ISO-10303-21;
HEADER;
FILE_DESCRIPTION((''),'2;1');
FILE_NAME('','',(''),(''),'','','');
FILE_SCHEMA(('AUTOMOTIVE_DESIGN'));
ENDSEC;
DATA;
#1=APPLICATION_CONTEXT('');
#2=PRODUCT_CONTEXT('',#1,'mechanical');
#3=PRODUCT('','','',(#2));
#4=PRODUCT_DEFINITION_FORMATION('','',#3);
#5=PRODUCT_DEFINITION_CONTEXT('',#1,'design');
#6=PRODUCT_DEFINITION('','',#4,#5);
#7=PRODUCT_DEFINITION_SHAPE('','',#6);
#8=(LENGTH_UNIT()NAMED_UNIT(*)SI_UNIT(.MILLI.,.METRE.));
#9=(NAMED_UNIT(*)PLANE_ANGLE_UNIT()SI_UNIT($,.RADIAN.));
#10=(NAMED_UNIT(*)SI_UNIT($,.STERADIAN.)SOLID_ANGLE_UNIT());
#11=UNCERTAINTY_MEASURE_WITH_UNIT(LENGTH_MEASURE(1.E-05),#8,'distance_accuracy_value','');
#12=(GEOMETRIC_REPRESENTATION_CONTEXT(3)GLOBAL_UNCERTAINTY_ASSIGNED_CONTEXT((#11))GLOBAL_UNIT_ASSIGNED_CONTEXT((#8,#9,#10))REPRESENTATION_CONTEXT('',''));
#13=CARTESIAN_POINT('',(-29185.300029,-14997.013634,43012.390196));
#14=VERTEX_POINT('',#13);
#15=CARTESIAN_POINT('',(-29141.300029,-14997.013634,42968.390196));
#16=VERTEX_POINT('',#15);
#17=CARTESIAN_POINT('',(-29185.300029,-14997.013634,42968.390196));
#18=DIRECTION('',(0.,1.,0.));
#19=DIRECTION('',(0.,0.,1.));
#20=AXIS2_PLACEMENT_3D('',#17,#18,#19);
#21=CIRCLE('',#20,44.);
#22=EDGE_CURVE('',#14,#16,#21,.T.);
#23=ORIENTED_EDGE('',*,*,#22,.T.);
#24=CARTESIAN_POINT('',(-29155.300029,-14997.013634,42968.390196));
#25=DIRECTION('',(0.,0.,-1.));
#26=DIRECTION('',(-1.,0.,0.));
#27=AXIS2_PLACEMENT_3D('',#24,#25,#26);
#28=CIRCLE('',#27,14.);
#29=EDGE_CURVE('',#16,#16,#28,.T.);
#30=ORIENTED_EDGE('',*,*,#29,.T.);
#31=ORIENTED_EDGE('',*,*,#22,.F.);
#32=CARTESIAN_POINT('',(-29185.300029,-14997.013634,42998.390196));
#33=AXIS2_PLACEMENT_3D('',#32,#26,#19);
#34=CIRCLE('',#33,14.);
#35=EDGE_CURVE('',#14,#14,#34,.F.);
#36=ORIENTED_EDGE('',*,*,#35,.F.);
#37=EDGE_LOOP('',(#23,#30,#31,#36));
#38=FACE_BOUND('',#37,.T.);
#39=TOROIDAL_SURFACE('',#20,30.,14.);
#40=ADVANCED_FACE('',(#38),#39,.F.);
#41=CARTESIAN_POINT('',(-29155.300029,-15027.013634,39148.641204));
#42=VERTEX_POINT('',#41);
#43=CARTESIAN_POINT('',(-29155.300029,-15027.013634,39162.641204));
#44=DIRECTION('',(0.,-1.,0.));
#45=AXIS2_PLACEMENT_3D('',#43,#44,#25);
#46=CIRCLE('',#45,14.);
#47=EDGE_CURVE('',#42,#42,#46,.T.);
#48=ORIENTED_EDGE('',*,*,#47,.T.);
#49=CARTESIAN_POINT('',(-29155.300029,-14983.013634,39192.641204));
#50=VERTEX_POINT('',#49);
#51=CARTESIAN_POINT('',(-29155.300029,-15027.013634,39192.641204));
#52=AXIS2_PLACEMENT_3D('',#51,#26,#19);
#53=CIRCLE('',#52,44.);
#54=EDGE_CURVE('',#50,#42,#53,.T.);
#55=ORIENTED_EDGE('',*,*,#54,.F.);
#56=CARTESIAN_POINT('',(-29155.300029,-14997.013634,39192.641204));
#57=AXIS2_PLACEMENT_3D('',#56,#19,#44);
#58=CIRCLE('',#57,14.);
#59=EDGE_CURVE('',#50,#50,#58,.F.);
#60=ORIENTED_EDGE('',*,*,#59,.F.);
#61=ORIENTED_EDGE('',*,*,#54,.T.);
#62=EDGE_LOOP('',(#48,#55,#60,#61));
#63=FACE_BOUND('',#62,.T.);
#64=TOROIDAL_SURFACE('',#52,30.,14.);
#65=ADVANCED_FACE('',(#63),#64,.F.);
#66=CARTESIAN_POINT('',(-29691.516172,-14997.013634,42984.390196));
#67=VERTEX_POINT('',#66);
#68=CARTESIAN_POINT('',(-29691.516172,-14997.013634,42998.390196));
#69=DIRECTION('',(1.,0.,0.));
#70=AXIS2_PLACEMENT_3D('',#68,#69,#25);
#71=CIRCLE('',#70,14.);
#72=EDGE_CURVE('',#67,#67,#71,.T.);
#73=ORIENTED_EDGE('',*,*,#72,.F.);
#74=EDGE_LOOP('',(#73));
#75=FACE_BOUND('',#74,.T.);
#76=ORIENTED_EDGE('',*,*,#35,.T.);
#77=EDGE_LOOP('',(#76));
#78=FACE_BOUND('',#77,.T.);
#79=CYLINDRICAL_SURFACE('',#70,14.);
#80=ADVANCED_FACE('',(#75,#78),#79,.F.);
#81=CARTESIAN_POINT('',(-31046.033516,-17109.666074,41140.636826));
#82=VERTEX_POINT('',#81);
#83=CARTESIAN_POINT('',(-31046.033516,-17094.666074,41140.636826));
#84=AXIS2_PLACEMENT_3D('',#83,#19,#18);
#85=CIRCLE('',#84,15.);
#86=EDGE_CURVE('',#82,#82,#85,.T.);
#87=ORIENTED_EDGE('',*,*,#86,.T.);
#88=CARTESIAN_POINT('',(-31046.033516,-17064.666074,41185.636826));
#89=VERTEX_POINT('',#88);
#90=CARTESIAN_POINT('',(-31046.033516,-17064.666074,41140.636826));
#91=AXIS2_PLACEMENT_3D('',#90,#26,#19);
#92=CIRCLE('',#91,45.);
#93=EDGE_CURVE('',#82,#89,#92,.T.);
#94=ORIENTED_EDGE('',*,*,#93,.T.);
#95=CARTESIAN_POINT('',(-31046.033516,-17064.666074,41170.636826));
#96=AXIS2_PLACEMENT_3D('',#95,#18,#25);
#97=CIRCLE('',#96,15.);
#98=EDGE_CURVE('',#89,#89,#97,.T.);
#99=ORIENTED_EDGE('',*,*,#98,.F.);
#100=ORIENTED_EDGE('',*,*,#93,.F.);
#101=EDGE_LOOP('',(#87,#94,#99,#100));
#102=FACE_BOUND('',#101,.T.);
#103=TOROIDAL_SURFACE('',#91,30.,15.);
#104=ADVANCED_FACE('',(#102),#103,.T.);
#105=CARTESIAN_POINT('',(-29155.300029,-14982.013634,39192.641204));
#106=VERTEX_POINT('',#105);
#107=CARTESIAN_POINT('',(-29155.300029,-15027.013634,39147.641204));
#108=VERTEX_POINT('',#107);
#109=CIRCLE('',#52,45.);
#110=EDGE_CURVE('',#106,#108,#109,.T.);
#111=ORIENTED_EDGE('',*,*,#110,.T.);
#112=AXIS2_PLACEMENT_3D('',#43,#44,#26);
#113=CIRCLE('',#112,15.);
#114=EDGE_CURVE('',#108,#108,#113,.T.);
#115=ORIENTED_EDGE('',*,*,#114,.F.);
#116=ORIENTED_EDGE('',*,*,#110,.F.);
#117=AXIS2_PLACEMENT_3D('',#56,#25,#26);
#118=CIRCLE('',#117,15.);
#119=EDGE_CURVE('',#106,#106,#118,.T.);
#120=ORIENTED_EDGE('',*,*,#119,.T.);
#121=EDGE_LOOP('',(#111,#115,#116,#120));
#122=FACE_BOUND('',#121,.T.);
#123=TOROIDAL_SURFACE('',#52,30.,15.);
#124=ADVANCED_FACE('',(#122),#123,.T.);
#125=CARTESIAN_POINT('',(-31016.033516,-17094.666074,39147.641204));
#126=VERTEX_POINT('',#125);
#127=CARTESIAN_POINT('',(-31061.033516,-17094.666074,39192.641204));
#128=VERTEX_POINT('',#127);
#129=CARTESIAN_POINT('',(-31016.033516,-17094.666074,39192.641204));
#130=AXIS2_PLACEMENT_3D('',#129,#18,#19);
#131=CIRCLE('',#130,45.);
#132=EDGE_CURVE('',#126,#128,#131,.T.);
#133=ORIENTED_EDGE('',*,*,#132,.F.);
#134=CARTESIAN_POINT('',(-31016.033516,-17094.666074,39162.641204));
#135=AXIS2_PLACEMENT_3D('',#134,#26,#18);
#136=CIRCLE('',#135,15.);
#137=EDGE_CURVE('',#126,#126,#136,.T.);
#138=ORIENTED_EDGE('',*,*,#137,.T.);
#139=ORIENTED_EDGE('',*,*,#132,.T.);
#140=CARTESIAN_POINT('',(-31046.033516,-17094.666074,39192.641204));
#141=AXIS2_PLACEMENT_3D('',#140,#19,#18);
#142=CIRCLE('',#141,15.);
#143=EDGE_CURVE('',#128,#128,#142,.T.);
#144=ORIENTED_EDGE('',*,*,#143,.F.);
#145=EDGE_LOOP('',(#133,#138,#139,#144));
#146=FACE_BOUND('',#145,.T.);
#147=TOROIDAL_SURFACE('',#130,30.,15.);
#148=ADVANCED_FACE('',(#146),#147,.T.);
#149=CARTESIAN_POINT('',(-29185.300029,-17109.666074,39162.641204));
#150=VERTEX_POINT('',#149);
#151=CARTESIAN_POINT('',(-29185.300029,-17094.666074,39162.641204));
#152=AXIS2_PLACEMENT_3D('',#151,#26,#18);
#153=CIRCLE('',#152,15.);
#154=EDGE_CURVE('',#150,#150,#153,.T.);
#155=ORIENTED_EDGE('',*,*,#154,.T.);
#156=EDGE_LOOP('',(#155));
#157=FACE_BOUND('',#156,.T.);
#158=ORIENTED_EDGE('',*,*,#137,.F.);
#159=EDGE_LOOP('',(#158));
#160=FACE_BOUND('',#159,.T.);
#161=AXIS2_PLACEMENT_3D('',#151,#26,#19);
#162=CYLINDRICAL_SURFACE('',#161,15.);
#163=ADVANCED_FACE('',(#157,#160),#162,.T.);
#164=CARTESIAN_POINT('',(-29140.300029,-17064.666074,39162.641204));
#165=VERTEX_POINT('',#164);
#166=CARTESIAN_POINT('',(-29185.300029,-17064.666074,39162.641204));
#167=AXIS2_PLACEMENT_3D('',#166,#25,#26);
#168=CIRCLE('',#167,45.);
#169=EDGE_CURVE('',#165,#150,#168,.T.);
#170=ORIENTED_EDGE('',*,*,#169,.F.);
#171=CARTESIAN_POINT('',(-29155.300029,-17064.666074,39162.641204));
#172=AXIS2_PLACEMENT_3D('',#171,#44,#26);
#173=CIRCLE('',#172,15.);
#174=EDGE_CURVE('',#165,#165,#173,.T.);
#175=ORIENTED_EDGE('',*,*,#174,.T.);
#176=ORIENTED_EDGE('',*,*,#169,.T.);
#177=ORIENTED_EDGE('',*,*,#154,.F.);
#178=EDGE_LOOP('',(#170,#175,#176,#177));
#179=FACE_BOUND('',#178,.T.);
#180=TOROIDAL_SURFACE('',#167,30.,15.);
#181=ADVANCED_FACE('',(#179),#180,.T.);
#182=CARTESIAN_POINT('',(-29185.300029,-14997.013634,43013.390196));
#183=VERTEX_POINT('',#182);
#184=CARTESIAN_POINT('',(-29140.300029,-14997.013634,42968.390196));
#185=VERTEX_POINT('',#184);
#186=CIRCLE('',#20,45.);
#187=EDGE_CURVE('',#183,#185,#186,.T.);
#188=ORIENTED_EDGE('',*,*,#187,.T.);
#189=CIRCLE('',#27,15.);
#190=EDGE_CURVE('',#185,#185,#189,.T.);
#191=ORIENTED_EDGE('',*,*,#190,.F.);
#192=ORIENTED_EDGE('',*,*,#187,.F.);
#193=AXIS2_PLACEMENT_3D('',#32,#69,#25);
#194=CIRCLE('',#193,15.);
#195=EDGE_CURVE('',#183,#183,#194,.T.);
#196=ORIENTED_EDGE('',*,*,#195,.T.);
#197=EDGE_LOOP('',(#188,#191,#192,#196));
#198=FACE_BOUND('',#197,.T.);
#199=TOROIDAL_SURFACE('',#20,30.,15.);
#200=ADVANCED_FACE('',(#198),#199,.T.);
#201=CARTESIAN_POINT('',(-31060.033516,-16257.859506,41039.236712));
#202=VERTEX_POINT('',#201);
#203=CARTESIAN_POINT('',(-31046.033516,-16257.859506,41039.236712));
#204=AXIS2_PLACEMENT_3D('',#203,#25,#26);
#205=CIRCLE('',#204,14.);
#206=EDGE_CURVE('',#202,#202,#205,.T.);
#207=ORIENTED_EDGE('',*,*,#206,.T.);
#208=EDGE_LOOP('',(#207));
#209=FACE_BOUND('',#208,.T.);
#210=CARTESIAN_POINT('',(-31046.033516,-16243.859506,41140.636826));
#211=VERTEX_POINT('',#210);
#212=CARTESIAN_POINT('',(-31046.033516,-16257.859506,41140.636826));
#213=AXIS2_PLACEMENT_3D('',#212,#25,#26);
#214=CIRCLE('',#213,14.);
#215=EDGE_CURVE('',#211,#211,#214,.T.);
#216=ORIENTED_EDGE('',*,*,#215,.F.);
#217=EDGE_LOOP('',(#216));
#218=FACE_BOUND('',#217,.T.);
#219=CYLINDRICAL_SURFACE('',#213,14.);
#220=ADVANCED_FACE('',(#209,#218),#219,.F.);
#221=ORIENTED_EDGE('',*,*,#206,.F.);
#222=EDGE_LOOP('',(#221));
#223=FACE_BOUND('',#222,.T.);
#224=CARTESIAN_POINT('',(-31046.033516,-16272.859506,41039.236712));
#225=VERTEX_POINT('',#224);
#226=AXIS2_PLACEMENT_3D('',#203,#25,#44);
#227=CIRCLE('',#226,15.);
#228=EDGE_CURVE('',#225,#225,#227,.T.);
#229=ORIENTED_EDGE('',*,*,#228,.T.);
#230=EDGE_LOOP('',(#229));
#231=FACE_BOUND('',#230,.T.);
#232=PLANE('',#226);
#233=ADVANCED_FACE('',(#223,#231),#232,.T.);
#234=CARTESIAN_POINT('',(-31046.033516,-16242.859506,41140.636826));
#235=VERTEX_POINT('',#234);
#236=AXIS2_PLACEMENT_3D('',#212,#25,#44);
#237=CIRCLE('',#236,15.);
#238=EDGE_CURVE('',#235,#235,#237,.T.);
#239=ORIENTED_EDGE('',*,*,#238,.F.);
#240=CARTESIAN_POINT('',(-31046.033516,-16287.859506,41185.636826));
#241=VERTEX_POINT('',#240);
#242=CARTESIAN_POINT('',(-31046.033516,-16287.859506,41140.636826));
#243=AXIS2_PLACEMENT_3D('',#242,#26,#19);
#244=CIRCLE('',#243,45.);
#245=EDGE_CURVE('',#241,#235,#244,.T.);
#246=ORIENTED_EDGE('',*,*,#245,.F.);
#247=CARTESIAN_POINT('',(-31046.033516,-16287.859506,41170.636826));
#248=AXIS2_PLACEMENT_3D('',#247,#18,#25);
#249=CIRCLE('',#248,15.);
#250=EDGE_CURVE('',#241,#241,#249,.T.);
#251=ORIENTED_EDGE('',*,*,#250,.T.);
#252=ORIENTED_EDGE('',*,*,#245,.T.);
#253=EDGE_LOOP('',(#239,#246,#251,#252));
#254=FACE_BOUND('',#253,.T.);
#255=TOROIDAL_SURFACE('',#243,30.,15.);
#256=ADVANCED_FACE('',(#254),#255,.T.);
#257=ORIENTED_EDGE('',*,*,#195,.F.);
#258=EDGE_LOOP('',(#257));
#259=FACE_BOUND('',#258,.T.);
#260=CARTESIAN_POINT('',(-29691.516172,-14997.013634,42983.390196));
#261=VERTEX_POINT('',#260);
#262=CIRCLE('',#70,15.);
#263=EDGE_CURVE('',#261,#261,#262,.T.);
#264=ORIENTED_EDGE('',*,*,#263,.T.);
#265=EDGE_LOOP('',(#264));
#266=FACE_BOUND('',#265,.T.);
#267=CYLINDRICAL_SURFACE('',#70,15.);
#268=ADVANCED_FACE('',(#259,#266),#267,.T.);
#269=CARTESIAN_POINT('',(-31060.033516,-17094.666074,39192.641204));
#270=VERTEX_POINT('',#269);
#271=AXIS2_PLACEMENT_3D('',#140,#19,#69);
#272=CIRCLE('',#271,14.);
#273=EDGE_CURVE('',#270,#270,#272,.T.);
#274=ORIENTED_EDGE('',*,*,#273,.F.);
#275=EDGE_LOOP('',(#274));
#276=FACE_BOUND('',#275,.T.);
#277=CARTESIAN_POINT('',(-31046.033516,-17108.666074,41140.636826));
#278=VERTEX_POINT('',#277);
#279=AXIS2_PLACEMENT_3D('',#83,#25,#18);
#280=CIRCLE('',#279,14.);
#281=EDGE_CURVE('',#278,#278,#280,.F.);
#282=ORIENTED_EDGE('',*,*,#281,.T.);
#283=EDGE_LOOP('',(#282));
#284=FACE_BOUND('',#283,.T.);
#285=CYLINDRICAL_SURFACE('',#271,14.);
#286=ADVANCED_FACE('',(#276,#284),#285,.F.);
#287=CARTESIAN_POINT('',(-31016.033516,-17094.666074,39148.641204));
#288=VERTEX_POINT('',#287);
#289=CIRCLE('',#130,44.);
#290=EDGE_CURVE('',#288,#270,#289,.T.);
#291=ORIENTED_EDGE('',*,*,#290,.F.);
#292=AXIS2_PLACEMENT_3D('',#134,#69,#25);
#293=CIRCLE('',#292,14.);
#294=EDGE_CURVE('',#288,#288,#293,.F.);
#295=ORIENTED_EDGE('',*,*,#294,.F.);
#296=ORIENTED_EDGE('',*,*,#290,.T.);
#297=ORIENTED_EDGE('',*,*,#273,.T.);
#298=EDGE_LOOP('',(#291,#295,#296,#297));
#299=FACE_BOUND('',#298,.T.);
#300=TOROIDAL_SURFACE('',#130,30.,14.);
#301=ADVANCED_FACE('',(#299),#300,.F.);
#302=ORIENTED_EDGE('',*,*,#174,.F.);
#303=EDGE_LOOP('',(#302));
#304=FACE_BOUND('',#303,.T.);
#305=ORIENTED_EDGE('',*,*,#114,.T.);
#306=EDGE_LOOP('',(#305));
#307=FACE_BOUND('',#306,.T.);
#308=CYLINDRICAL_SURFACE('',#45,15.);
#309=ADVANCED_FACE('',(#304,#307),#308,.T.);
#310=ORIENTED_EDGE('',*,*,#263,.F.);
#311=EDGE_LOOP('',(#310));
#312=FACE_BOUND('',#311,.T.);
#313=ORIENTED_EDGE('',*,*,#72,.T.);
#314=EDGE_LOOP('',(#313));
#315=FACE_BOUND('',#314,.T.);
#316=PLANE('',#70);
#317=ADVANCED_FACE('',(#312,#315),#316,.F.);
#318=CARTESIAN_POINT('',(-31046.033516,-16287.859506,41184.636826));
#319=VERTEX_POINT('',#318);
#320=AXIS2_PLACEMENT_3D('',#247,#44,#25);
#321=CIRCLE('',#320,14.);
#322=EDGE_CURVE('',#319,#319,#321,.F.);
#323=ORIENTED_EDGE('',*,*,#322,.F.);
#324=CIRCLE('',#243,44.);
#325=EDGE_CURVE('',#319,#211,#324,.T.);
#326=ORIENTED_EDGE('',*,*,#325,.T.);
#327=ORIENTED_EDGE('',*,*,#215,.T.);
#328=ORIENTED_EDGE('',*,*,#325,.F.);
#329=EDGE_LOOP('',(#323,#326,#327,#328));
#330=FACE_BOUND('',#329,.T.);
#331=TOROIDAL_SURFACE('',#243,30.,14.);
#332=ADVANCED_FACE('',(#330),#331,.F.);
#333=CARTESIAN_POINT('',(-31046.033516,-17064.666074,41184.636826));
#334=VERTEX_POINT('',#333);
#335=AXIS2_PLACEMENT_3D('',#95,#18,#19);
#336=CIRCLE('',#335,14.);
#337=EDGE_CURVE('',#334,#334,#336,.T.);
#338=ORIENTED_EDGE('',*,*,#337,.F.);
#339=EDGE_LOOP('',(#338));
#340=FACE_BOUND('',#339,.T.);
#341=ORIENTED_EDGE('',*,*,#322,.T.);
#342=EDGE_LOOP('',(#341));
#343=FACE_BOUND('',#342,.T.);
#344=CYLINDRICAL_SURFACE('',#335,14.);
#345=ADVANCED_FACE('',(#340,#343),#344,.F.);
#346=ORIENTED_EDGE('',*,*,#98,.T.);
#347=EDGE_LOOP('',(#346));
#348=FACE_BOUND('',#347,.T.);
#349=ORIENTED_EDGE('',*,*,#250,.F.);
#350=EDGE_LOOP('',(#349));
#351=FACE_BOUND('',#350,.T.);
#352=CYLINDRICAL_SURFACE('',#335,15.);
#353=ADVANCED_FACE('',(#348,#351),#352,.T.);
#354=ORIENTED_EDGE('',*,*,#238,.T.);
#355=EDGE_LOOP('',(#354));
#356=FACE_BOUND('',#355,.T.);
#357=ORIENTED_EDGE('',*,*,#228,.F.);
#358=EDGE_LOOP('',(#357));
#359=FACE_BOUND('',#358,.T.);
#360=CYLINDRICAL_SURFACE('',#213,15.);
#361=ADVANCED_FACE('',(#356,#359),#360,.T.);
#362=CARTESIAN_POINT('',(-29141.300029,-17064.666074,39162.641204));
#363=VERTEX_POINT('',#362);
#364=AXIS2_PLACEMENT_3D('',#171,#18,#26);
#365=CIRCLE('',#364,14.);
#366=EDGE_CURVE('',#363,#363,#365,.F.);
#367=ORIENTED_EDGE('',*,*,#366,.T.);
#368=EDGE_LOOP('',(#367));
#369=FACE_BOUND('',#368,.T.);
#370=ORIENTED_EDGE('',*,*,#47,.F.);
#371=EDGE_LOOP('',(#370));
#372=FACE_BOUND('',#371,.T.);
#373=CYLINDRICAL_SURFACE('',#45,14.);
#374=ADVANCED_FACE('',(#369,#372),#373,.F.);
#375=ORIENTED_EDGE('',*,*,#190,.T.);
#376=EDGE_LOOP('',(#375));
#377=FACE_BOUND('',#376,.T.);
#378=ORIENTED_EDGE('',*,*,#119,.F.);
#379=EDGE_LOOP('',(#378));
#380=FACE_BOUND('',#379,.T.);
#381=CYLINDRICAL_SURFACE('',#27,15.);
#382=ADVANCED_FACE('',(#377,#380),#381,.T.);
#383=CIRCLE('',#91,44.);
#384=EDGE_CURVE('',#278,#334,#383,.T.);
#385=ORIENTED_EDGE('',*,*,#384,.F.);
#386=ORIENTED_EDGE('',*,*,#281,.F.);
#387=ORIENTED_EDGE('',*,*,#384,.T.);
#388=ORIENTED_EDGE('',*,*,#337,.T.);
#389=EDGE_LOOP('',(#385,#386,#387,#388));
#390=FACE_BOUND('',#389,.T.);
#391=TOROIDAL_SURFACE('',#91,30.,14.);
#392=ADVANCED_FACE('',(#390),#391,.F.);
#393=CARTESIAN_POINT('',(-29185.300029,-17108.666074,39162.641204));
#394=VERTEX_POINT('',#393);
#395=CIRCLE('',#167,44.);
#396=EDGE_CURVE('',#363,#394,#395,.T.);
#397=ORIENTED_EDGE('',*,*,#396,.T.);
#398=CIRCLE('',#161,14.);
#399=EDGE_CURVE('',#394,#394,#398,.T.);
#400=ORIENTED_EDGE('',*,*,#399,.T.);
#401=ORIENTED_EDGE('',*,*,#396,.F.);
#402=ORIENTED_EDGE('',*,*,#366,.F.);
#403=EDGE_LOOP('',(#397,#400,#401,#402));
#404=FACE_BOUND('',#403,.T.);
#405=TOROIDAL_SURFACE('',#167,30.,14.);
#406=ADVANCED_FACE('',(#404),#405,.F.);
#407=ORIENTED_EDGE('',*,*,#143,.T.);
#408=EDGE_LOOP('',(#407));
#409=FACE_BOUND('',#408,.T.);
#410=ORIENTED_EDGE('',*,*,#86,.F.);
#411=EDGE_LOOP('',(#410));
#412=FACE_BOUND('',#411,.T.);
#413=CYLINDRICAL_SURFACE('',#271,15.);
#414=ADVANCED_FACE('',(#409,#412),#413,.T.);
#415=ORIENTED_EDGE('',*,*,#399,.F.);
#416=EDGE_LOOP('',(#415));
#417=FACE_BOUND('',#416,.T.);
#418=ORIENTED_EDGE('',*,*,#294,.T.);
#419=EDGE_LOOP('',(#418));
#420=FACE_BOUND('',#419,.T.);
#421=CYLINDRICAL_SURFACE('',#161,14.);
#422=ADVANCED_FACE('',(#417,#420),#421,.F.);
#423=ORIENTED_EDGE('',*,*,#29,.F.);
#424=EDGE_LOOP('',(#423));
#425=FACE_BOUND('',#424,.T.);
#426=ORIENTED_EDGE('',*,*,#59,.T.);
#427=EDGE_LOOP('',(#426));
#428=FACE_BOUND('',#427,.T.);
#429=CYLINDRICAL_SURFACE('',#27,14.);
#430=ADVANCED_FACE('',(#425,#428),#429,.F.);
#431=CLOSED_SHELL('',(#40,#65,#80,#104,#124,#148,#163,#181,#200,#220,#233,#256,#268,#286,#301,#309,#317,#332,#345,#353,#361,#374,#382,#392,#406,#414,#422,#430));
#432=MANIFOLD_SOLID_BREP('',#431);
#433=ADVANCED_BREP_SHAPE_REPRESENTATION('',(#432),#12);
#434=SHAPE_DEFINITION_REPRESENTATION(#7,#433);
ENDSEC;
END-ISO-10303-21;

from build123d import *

# Parameters (mm, degrees)
SWEEP_THIN1_PROFILE_R   = 15
SWEEP_THIN1_PROFILE_R_2 = 14


with BuildPart() as part:
    # Sweep-Thin1: sweep along a curve in space
    with BuildLine() as sweep_thin1_path:
        Line((-29691.51617229, -14997.013633934, 42998.390196057), (-29185.300028665, -14997.013633934, 42998.390196057))
        ThreePointArc((-29155.300028665, -14997.013633934, 42968.390196057), (-29164.08682523, -14997.013633934, 42989.603399492), (-29185.300028665, -14997.013633934, 42998.390196057))
        Line((-29155.300028665, -14997.013633934, 42968.390196057), (-29155.300028665, -14997.013633934, 39192.641204298))
        ThreePointArc((-29155.300028665, -15027.013633934, 39162.641204298), (-29155.300028665, -15005.800430499, 39171.428000862), (-29155.300028665, -14997.013633934, 39192.641204298))
        Line((-29155.300028665, -15027.013633934, 39162.641204298), (-29155.300028665, -17064.666074338, 39162.641204298))
        ThreePointArc((-29185.300028665, -17094.666074338, 39162.641204298), (-29164.08682523, -17085.879277774, 39162.641204298), (-29155.300028665, -17064.666074338, 39162.641204298))
        Line((-29185.300028665, -17094.666074338, 39162.641204298), (-31016.033515707, -17094.666074338, 39162.641204298))
        ThreePointArc((-31046.033515707, -17094.666074338, 39192.641204298), (-31037.246719143, -17094.666074338, 39171.428000862), (-31016.033515707, -17094.666074338, 39162.641204298))
        Line((-31046.033515707, -17094.666074338, 39192.641204298), (-31046.033515707, -17094.666074338, 41140.636826071))
        ThreePointArc((-31046.033515707, -17064.666074338, 41170.636826071), (-31046.033515707, -17085.879277774, 41161.850029506), (-31046.033515707, -17094.666074338, 41140.636826071))
        Line((-31046.033515707, -17064.666074338, 41170.636826071), (-31046.033515707, -16287.859506292, 41170.636826071))
        ThreePointArc((-31046.033515707, -16257.859506292, 41140.636826071), (-31046.033515707, -16266.646302856, 41161.850029506), (-31046.033515707, -16287.859506292, 41170.636826071))
        Line((-31046.033515707, -16257.859506292, 41140.636826071), (-31046.033515707, -16257.859506292, 41039.236712281))
    # Sweep-Thin1 profile (on start of the path) → Sweep-Thin1 (sweep)
    with BuildSketch(Plane(origin=(-29691.51617229, -14997.013633934, 42998.390196057), x_dir=(0, 0, 1), z_dir=(1, 0, 0))):
        Circle(SWEEP_THIN1_PROFILE_R)
        Circle(SWEEP_THIN1_PROFILE_R_2, mode=Mode.SUBTRACT)
    sweep(path=sweep_thin1_path.line)


solid = part.part
